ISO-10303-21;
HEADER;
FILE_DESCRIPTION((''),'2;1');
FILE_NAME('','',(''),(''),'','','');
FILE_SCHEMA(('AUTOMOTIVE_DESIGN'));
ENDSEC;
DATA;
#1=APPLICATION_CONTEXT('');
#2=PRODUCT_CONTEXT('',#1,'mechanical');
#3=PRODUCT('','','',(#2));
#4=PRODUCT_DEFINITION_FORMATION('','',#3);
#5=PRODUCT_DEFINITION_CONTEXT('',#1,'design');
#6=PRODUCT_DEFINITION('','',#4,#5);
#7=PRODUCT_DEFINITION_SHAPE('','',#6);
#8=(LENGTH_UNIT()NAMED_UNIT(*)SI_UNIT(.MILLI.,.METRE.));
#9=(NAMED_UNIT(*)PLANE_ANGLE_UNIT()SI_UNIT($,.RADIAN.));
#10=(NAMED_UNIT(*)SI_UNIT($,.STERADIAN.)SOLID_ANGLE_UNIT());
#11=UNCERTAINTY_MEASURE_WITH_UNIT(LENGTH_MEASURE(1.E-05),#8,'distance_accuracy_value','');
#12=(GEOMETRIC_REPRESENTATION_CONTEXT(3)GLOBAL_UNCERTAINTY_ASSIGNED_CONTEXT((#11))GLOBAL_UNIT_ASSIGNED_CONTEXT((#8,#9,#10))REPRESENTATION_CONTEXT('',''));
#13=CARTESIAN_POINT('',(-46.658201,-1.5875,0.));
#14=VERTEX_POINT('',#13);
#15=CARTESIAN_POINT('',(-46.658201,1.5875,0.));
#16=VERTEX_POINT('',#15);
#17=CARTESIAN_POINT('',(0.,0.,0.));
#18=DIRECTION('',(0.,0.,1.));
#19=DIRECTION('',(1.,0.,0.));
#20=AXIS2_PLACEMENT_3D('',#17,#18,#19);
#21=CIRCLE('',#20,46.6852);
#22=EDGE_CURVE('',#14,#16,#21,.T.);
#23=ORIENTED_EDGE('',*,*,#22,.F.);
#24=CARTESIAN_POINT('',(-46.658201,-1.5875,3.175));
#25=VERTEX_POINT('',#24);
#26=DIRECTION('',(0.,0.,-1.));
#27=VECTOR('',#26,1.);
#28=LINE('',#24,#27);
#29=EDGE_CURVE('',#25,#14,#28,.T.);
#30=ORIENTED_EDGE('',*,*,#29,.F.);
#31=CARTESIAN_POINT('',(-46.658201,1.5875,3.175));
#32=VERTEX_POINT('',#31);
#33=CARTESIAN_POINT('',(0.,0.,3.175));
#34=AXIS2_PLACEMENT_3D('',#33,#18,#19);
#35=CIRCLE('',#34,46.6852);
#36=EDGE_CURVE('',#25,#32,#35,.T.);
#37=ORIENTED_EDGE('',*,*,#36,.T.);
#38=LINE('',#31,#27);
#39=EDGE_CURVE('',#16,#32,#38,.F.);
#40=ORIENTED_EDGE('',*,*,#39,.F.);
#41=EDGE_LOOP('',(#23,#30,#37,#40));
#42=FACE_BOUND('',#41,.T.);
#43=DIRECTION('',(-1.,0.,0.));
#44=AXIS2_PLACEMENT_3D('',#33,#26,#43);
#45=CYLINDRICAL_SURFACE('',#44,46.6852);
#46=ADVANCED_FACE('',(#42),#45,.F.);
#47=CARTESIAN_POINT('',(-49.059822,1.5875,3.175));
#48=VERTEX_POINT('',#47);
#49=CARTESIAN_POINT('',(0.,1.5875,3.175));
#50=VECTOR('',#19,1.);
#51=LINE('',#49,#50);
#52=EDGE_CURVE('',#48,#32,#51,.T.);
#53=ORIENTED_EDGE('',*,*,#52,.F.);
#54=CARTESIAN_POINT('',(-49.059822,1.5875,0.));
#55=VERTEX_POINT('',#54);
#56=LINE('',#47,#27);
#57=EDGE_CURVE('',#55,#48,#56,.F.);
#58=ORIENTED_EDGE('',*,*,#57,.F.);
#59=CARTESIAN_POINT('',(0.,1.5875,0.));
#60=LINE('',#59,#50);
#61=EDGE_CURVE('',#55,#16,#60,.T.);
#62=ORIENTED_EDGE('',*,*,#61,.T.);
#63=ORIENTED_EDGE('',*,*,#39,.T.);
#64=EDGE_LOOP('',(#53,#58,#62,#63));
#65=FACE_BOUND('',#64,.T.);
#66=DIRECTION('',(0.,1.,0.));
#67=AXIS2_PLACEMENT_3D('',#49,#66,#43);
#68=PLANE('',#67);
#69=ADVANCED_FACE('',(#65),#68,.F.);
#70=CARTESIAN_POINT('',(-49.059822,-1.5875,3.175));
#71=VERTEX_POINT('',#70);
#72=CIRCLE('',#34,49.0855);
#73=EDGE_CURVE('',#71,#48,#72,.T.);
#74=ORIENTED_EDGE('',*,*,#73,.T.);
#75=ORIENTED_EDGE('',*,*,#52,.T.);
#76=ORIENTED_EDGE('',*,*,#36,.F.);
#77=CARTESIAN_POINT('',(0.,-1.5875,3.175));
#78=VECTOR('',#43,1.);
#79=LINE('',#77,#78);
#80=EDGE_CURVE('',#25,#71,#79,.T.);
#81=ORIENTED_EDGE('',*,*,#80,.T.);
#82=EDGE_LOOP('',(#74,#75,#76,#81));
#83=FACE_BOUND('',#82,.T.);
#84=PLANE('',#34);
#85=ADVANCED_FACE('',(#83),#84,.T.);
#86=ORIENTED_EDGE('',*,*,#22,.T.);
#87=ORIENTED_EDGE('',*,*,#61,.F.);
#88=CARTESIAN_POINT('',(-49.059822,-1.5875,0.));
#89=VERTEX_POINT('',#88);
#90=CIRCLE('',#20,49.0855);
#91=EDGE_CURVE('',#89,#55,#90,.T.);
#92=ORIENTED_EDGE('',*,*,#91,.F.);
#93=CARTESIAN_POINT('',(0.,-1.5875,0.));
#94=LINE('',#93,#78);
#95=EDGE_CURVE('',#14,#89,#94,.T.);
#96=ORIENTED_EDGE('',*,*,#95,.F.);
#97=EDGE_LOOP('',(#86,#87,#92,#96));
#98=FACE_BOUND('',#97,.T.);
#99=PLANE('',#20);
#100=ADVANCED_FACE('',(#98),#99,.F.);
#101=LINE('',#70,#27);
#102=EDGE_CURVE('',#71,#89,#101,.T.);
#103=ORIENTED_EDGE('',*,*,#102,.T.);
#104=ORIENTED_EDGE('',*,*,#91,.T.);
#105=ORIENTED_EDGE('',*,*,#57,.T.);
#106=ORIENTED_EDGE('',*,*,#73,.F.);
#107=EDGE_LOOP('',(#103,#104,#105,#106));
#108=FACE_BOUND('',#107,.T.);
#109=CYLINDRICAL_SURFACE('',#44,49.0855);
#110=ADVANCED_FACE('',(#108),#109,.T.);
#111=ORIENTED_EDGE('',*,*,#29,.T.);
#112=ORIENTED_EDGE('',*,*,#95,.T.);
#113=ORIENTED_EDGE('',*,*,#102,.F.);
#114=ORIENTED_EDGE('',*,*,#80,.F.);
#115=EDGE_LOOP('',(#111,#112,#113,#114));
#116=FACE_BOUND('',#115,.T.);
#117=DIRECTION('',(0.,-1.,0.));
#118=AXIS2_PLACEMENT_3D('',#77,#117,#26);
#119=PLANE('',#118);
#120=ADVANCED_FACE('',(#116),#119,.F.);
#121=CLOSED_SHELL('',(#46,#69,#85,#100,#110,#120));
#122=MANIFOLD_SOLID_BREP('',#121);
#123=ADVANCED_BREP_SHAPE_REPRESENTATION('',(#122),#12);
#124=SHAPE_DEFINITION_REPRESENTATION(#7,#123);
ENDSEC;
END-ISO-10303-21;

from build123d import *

# Parameters (mm, degrees)
SKETCH1_R           = 49.0855
SKETCH1_R_2         = 46.6852
BOSS_EXTRUDE1_DEPTH = 3.175
SKETCH2_W           = 50.8
SKETCH2_H           = 3.175
CUT_EXTRUDE1_DEPTH  = 70.48995068


with BuildPart() as part:
    # Sketch1 → Boss-Extrude1 (new body)
    with BuildSketch(Plane.XY):
        Circle(SKETCH1_R)
        Circle(SKETCH1_R_2, mode=Mode.SUBTRACT)
    extrude(amount=BOSS_EXTRUDE1_DEPTH)

    # Sketch2 → Cut-Extrude1 (cut, through all)
    with BuildSketch(Plane(origin=(0, 0, 0), x_dir=(-1, 0, 0), z_dir=(0, 0, -1))):
        with Locations((25.4, 0)):
            Rectangle(SKETCH2_W, SKETCH2_H)
    extrude(amount=-CUT_EXTRUDE1_DEPTH, mode=Mode.SUBTRACT)


solid = part.part
